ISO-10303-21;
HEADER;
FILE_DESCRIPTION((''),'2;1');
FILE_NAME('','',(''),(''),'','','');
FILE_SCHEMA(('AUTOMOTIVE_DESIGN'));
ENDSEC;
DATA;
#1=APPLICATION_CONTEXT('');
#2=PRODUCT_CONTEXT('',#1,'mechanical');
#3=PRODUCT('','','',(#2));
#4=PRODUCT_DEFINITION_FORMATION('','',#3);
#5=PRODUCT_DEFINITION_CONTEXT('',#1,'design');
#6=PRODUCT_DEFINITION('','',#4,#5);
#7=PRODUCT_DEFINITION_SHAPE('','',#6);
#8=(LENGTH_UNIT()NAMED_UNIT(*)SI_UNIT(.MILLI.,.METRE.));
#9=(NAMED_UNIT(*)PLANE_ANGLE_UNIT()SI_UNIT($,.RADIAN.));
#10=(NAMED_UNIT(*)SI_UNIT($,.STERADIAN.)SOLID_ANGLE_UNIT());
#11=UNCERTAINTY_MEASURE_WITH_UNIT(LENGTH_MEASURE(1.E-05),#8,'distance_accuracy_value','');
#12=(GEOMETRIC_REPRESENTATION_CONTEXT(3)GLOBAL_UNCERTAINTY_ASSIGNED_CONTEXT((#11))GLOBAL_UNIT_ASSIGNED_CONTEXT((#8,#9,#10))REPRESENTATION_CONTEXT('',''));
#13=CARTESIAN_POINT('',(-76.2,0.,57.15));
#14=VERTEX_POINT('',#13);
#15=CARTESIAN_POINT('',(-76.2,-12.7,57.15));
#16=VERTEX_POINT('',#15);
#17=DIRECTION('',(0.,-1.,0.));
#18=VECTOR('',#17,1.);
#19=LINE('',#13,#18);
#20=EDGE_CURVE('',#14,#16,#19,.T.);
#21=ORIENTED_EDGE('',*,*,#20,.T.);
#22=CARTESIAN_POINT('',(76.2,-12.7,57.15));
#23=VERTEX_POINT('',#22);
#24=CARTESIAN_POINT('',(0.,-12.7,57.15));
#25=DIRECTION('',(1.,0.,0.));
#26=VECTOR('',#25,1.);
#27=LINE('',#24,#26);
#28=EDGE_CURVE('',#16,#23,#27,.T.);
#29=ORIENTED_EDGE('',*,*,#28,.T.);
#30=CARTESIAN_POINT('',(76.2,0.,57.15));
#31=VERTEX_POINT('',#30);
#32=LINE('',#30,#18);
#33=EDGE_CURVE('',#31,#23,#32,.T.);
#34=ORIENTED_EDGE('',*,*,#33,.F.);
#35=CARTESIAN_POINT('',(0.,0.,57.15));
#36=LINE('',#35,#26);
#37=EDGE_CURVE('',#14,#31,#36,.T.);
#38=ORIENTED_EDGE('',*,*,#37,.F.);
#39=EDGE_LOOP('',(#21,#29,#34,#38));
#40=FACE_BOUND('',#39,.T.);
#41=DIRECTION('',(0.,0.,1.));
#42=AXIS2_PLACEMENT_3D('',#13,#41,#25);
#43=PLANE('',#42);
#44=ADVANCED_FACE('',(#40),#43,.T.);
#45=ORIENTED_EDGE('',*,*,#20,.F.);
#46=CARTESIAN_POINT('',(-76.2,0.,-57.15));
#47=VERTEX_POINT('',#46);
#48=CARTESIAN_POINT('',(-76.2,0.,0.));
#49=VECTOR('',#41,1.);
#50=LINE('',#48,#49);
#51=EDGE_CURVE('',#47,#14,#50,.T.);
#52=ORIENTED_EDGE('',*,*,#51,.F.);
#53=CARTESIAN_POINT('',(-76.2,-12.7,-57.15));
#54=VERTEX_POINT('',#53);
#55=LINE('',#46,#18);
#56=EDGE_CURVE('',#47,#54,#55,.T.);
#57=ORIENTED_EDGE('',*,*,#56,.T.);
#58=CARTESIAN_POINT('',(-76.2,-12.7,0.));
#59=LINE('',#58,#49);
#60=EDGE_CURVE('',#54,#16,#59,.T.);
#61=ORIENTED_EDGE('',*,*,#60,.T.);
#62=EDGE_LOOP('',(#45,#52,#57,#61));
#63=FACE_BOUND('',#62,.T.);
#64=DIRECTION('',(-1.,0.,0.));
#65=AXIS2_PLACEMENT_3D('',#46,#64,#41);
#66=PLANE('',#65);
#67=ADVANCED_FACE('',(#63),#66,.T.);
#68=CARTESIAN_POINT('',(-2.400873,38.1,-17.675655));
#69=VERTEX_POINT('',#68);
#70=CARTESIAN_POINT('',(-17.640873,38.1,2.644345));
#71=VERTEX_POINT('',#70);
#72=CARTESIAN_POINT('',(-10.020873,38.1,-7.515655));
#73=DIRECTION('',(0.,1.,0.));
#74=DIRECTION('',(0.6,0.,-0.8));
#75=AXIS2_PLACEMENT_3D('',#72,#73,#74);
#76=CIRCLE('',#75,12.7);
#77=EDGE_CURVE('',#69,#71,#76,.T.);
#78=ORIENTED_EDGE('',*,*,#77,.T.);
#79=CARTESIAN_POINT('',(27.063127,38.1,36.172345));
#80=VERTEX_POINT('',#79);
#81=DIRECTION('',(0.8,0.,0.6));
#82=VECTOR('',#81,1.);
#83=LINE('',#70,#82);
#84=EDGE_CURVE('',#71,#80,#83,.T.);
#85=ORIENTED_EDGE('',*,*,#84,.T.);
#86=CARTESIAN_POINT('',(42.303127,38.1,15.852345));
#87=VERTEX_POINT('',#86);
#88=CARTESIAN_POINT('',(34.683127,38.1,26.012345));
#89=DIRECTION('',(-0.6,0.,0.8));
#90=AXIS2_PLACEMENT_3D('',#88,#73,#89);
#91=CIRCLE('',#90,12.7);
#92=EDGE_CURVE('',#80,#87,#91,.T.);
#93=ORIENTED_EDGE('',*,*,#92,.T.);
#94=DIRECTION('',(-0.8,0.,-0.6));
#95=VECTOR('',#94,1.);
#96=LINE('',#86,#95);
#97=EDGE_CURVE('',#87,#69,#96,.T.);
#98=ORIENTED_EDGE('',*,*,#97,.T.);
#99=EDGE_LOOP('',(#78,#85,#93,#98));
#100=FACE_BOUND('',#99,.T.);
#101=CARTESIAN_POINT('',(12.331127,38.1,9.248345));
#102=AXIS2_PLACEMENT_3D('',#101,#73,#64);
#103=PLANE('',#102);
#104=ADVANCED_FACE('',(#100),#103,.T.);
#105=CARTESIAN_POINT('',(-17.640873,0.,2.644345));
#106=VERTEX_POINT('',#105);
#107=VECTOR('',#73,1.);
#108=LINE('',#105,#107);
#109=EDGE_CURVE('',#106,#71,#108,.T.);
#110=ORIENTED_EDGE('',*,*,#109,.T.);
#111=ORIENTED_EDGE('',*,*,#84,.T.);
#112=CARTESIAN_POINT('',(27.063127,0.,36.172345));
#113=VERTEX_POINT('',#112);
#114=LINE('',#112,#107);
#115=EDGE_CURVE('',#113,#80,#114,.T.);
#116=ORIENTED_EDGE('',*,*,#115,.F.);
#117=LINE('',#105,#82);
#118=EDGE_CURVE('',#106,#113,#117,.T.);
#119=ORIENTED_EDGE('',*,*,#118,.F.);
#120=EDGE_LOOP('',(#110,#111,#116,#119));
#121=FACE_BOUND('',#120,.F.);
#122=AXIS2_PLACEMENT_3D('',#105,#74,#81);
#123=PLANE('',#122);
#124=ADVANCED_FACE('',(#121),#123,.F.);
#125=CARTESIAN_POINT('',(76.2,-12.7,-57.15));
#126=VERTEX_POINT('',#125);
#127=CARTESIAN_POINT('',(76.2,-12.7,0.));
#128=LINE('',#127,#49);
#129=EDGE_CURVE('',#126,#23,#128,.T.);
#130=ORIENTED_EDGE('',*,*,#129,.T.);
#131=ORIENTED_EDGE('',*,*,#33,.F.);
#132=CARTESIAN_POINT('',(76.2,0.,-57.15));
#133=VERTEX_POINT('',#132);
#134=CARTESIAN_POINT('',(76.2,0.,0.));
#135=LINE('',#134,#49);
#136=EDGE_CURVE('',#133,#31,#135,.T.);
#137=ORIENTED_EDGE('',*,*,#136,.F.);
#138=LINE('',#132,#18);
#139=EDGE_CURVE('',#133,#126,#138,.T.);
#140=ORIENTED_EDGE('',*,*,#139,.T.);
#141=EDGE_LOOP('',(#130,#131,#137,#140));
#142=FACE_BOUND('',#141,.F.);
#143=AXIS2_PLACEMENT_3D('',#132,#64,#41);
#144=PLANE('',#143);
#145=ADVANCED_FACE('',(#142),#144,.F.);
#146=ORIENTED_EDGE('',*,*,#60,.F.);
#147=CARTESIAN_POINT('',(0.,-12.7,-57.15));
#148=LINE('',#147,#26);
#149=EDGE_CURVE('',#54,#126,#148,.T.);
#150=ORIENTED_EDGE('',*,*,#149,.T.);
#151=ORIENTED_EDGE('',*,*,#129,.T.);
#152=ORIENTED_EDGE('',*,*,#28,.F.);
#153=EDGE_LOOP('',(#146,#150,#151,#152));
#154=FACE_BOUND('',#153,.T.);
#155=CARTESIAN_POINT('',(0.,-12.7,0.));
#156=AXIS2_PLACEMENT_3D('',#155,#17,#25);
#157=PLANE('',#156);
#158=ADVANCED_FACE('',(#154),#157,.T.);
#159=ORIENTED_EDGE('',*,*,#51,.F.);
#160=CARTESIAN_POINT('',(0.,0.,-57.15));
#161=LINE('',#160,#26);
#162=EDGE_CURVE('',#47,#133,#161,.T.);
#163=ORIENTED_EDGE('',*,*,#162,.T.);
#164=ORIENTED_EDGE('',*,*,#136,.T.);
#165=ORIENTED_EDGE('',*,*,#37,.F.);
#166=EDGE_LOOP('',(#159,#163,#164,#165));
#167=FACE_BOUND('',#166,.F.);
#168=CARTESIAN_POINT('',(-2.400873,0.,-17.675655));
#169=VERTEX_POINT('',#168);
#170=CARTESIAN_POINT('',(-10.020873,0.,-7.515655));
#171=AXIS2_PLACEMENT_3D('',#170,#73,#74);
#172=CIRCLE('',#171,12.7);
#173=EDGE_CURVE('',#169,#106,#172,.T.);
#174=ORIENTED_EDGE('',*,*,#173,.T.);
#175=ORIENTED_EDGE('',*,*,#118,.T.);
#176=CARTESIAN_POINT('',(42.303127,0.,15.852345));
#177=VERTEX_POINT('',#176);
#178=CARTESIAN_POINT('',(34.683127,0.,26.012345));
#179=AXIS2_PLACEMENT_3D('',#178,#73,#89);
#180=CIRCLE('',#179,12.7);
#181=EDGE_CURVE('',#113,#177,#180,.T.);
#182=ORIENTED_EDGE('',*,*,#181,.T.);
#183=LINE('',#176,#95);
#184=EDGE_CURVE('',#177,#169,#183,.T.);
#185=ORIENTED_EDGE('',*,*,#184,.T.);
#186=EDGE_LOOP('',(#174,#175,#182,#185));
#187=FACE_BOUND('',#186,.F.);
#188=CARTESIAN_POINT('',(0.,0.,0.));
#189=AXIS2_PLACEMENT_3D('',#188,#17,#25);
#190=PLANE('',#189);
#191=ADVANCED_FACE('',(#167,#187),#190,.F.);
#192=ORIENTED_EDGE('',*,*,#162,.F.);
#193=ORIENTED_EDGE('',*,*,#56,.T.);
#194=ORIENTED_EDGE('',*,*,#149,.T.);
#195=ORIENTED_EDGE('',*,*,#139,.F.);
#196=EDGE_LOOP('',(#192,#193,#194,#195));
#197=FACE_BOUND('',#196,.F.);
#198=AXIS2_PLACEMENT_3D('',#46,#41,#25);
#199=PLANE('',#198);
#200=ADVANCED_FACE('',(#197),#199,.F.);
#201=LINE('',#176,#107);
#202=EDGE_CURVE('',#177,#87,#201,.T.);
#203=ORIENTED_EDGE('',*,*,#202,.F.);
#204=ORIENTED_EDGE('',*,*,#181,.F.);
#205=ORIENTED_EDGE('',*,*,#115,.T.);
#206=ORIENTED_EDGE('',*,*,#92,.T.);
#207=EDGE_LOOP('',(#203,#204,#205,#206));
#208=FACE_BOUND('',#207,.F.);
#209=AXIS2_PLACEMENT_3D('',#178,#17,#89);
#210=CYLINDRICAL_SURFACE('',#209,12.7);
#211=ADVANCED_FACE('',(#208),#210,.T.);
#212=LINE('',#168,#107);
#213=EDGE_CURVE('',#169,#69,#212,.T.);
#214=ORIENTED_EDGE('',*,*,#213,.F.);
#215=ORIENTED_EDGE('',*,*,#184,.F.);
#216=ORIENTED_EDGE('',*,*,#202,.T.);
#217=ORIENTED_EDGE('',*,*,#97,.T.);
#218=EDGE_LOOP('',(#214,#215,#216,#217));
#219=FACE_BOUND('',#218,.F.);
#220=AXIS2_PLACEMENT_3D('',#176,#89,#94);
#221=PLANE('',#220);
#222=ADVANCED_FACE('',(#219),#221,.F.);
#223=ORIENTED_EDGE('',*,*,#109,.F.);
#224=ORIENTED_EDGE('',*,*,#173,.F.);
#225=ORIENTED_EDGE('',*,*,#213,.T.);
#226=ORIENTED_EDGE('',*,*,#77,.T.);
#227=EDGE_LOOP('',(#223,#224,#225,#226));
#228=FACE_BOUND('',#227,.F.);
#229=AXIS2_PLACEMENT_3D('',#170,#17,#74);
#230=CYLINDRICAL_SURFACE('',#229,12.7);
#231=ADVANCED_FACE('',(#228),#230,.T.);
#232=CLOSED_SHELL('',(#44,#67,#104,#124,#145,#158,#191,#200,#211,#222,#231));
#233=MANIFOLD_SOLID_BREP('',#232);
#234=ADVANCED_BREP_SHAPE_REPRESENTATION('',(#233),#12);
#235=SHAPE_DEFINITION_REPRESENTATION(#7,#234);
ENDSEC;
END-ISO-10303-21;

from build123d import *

# Parameters (mm, degrees)
F0_W     = 152.4
F0_H     = 114.3
F1_DEPTH = 12.7
F3_DEPTH = 38.1


with BuildPart() as f1:
    # F0 (on Front) → F1 (new body)
    with BuildSketch(Plane.XZ):
        Rectangle(F0_W, F0_H)
    extrude(amount=F1_DEPTH)

    # F2 (on face) → F3 (join)
    with BuildSketch(Plane(origin=(0, 0, 0), x_dir=(-1, 0, 0), z_dir=(0, 1, 0))):
        with BuildLine():
            Line((-42.303127, 15.852345), (2.400873, -17.675655))
            ThreePointArc((2.400873, -17.675655), (20.180873, -15.135655), (17.640873, 2.644345))
            Line((17.640873, 2.644345), (-27.063127, 36.172345))
            ThreePointArc((-27.063127, 36.172345), (-44.843127, 33.632345), (-42.303127, 15.852345))
        make_face()
    extrude(amount=F3_DEPTH)


solid = f1.part
